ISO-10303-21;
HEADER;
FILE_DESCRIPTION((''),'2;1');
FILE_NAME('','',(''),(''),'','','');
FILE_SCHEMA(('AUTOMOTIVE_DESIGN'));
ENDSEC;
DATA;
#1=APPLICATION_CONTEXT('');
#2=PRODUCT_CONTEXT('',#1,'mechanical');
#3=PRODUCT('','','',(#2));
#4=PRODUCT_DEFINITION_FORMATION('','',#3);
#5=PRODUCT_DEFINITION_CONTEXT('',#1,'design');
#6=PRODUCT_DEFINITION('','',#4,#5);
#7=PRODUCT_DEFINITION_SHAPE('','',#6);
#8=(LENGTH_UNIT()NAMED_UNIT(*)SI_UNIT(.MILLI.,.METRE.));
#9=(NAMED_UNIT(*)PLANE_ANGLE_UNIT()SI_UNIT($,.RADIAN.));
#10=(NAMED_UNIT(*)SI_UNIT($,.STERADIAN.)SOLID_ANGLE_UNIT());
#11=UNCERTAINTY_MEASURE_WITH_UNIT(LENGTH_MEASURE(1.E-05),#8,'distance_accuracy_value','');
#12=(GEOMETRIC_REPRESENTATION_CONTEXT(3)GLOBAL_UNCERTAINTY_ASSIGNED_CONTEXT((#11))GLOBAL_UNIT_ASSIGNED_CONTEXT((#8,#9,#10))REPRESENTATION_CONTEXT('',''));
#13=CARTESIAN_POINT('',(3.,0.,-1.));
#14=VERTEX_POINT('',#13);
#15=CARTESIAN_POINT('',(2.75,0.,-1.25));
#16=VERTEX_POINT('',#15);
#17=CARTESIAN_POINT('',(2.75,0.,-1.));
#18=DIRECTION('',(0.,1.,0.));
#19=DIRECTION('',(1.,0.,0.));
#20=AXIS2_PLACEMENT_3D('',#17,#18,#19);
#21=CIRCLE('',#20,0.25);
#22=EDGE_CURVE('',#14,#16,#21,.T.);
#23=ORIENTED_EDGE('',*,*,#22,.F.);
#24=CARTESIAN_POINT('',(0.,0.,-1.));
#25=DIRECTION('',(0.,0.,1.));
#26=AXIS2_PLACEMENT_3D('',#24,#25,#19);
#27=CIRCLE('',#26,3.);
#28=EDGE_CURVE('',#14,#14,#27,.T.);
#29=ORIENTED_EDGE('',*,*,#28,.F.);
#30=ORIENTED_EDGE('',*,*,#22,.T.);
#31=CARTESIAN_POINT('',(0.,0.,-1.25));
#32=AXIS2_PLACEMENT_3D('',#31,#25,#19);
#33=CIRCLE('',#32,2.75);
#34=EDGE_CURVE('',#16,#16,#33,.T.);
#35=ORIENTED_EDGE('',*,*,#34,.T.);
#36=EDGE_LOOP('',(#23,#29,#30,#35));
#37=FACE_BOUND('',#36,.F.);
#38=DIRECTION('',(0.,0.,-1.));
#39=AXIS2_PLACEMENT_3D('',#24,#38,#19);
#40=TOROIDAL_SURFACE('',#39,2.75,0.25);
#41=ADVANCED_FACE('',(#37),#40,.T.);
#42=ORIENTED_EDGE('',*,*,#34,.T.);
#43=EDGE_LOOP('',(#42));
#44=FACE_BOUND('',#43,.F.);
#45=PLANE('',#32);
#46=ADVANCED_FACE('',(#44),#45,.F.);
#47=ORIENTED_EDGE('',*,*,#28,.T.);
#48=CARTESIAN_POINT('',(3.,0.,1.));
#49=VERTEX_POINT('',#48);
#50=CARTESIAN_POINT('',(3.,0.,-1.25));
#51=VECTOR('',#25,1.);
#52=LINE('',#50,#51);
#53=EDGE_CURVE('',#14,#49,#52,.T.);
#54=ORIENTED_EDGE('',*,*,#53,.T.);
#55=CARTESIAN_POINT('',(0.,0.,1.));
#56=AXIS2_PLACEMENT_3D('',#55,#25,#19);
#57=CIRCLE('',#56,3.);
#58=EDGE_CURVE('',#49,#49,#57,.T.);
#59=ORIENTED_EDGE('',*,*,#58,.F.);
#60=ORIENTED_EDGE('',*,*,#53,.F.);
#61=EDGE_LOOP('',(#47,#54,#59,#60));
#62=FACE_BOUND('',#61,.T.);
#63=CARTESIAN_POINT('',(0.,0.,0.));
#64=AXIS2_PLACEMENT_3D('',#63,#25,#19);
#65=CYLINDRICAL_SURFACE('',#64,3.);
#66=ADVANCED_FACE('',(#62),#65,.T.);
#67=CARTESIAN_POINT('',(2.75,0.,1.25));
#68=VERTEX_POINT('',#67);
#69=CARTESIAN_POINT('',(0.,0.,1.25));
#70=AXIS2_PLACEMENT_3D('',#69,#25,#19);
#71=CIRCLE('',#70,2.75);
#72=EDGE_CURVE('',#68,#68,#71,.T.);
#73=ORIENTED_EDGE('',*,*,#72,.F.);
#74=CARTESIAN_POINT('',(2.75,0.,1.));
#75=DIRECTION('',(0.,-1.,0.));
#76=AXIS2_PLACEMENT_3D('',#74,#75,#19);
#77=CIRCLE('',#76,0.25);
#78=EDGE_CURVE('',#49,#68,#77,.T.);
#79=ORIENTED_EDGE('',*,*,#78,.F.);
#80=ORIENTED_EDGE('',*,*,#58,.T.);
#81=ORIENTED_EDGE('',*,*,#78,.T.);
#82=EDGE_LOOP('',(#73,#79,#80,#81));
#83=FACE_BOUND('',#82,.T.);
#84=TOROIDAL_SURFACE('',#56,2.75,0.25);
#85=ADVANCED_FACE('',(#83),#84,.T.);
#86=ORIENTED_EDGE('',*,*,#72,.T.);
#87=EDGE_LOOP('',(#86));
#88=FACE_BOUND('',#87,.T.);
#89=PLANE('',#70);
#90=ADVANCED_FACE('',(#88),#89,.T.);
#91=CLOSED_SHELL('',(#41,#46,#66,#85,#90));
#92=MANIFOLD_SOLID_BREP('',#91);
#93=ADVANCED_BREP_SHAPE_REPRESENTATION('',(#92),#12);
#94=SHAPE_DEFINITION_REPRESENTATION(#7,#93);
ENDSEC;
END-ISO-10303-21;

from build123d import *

# Parameters (mm, degrees)
SKETCH1_R           = 3
BOSS_EXTRUDE1_DEPTH = 1.25
FILLET1_R           = 0.25


with BuildPart() as part:
    # Sketch1 → Boss-Extrude1 (new body, symmetric)
    with BuildSketch(Plane.XY):
        Circle(SKETCH1_R)
    extrude(amount=BOSS_EXTRUDE1_DEPTH, both=True)

    # Fillet1
    fillet1_edges = [part.edges().sort_by_distance(p)[0] for p in [
        (-3, 0, -1.25),
        (-3, 0, 1.25),
    ]]
    fillet(fillet1_edges, radius=FILLET1_R)


solid = part.part
